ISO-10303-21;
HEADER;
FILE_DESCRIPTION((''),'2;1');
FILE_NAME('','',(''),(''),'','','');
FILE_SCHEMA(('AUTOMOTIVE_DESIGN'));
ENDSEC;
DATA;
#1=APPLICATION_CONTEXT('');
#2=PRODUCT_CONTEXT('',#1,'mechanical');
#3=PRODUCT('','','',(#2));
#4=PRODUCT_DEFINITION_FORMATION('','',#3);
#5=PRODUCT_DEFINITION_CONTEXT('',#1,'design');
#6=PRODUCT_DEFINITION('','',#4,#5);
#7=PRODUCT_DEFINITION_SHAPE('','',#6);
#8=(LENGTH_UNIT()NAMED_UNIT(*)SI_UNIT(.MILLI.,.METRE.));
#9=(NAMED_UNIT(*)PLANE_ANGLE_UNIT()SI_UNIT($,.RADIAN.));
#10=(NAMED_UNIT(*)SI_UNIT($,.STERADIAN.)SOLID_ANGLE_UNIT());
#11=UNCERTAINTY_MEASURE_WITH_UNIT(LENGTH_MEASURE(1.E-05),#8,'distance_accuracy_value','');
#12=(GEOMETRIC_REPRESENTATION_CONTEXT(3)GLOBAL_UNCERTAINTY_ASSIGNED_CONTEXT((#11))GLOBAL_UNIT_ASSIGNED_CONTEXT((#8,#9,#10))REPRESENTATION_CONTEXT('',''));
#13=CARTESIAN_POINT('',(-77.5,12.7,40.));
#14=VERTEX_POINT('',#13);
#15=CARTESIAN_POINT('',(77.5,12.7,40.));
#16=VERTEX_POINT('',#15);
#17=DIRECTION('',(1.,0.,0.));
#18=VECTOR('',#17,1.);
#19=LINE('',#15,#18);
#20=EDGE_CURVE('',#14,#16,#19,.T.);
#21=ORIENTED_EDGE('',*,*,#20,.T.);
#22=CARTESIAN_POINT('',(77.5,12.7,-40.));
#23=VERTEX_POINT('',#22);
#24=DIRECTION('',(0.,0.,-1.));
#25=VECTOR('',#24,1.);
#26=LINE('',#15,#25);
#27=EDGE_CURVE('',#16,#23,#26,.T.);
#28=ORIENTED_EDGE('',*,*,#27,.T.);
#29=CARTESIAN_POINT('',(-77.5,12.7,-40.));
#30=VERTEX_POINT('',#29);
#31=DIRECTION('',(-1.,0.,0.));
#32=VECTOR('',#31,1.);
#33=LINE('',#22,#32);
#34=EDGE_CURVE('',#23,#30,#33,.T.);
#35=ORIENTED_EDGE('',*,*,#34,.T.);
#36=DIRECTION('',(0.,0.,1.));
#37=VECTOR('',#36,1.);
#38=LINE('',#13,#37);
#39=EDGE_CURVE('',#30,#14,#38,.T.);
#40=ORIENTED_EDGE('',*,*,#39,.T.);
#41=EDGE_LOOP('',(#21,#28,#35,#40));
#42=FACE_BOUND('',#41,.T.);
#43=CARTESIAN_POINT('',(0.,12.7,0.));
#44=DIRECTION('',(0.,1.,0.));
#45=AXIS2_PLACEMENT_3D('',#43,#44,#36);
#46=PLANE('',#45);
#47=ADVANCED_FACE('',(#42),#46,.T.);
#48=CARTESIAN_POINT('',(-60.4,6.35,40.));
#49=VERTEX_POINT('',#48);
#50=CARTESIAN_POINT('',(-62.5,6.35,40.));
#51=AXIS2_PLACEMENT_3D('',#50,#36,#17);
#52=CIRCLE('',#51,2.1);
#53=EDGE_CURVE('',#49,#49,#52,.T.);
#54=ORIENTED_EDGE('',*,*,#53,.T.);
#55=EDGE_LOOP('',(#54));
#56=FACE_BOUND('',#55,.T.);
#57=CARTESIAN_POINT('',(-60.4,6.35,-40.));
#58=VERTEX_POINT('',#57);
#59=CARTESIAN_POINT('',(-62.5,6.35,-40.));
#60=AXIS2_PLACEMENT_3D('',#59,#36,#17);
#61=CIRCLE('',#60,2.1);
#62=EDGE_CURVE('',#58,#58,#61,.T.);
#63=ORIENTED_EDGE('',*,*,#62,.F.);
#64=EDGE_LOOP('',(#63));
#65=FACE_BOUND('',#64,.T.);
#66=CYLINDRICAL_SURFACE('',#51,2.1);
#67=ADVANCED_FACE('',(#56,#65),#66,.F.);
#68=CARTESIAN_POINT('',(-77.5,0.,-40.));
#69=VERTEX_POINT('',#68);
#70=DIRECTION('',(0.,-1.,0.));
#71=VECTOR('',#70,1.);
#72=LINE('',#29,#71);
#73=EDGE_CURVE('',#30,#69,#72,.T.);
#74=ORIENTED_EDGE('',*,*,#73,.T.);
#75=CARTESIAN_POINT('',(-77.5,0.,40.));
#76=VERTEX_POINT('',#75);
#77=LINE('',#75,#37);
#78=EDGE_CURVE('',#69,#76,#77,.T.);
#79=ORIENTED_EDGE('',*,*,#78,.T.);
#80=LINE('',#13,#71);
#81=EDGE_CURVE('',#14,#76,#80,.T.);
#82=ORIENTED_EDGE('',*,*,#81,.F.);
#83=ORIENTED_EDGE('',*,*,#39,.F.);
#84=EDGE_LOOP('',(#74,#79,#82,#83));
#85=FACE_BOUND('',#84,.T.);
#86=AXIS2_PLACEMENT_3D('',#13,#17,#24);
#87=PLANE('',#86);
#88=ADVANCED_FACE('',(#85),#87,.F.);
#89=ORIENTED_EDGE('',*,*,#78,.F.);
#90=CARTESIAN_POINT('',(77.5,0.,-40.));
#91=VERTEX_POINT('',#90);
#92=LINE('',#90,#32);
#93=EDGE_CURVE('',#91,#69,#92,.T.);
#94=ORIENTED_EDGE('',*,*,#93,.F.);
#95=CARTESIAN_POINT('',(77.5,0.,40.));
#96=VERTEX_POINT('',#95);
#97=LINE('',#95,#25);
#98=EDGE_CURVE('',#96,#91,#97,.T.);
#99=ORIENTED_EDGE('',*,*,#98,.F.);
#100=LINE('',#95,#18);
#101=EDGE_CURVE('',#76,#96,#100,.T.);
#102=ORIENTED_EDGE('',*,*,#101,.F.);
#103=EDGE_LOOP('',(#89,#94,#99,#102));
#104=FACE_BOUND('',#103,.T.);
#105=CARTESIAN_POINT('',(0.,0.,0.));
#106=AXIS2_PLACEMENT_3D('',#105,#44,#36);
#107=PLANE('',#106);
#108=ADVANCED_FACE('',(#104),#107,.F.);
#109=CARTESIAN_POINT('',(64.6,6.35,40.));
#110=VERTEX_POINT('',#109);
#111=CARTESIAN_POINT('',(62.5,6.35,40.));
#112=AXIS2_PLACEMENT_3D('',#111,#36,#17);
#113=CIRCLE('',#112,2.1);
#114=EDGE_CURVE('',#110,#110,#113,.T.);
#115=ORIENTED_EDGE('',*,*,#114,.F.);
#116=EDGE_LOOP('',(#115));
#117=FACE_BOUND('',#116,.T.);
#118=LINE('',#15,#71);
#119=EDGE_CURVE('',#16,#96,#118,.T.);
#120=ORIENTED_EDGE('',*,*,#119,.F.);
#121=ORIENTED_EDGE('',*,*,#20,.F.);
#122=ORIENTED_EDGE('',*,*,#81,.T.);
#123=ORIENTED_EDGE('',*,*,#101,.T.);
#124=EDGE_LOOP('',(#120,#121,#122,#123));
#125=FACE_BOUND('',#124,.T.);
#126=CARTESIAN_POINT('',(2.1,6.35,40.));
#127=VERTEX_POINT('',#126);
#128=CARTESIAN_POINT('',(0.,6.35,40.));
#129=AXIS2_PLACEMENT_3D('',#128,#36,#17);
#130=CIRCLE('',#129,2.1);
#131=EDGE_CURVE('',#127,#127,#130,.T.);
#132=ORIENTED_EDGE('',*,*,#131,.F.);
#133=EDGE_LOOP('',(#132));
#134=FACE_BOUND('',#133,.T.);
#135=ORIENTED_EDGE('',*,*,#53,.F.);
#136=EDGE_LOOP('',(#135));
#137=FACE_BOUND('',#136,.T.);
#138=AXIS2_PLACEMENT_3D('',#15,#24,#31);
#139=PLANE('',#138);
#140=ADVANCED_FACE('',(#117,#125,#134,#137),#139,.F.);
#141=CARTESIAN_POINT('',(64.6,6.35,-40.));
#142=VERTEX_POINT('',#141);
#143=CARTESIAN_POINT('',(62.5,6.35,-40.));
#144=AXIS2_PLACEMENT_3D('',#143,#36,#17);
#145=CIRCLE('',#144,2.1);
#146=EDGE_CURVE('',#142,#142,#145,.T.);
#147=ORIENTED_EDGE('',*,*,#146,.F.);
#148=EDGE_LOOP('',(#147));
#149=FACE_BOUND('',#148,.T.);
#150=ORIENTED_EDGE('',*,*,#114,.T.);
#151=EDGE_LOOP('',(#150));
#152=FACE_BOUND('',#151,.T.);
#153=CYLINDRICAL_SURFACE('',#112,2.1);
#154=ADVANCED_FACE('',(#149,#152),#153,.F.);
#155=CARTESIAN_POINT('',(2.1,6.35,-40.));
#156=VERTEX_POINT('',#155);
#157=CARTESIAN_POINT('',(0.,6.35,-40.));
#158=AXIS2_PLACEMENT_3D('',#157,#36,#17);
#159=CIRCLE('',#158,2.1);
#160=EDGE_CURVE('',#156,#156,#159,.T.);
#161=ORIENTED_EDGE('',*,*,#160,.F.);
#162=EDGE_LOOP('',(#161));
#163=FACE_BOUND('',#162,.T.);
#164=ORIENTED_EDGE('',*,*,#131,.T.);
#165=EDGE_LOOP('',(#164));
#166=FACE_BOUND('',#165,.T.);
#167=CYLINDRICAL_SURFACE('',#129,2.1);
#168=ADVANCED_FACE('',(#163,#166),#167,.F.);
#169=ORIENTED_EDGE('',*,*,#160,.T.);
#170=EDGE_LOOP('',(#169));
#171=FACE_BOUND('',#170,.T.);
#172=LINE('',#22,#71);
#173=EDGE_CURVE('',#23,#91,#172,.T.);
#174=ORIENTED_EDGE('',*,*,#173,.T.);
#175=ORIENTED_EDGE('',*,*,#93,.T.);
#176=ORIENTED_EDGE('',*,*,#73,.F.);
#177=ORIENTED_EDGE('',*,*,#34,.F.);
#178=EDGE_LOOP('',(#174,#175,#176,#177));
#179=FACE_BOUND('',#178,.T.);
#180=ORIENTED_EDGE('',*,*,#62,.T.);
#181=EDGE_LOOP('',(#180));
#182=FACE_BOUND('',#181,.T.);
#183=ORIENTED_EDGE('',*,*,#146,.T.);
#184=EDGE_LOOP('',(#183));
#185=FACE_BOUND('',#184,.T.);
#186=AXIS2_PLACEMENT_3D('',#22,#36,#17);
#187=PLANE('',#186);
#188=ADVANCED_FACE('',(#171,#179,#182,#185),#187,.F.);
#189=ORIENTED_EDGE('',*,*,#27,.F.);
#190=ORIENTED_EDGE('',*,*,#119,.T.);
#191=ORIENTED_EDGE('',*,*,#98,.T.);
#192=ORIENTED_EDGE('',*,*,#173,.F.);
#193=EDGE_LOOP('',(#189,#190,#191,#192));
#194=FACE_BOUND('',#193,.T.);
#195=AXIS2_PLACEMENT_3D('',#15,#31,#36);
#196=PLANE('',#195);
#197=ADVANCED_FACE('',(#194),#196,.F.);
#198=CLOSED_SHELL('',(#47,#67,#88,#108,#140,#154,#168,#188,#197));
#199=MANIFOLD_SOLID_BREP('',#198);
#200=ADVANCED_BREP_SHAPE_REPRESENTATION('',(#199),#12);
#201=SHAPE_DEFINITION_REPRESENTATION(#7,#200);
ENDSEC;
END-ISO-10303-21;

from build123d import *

# Parameters (mm, degrees)
SKETCH1_W                   = 155
SKETCH1_H                   = 80
BOSS_EXTRUDE1_DEPTH         = 12.7
TAP_DRILL_FOR_M5X0_8_TAP1_D = 4.2


with BuildPart() as part:
    # Sketch1 → Boss-Extrude1 (new body)
    with BuildSketch(Plane(origin=(0, 0, 0), x_dir=(1, 0, 0), z_dir=(0, 1, 0))):
        Rectangle(SKETCH1_W, SKETCH1_H)
    extrude(amount=BOSS_EXTRUDE1_DEPTH)

    # Tap Drill for M5x0.8 Tap1 (through all)
    with Locations(Plane.XY.offset(40)):
        with Locations((-62.5, 6.35), (0, 6.35), (62.5, 6.35)):
            Hole(TAP_DRILL_FOR_M5X0_8_TAP1_D / 2)


solid = part.part
